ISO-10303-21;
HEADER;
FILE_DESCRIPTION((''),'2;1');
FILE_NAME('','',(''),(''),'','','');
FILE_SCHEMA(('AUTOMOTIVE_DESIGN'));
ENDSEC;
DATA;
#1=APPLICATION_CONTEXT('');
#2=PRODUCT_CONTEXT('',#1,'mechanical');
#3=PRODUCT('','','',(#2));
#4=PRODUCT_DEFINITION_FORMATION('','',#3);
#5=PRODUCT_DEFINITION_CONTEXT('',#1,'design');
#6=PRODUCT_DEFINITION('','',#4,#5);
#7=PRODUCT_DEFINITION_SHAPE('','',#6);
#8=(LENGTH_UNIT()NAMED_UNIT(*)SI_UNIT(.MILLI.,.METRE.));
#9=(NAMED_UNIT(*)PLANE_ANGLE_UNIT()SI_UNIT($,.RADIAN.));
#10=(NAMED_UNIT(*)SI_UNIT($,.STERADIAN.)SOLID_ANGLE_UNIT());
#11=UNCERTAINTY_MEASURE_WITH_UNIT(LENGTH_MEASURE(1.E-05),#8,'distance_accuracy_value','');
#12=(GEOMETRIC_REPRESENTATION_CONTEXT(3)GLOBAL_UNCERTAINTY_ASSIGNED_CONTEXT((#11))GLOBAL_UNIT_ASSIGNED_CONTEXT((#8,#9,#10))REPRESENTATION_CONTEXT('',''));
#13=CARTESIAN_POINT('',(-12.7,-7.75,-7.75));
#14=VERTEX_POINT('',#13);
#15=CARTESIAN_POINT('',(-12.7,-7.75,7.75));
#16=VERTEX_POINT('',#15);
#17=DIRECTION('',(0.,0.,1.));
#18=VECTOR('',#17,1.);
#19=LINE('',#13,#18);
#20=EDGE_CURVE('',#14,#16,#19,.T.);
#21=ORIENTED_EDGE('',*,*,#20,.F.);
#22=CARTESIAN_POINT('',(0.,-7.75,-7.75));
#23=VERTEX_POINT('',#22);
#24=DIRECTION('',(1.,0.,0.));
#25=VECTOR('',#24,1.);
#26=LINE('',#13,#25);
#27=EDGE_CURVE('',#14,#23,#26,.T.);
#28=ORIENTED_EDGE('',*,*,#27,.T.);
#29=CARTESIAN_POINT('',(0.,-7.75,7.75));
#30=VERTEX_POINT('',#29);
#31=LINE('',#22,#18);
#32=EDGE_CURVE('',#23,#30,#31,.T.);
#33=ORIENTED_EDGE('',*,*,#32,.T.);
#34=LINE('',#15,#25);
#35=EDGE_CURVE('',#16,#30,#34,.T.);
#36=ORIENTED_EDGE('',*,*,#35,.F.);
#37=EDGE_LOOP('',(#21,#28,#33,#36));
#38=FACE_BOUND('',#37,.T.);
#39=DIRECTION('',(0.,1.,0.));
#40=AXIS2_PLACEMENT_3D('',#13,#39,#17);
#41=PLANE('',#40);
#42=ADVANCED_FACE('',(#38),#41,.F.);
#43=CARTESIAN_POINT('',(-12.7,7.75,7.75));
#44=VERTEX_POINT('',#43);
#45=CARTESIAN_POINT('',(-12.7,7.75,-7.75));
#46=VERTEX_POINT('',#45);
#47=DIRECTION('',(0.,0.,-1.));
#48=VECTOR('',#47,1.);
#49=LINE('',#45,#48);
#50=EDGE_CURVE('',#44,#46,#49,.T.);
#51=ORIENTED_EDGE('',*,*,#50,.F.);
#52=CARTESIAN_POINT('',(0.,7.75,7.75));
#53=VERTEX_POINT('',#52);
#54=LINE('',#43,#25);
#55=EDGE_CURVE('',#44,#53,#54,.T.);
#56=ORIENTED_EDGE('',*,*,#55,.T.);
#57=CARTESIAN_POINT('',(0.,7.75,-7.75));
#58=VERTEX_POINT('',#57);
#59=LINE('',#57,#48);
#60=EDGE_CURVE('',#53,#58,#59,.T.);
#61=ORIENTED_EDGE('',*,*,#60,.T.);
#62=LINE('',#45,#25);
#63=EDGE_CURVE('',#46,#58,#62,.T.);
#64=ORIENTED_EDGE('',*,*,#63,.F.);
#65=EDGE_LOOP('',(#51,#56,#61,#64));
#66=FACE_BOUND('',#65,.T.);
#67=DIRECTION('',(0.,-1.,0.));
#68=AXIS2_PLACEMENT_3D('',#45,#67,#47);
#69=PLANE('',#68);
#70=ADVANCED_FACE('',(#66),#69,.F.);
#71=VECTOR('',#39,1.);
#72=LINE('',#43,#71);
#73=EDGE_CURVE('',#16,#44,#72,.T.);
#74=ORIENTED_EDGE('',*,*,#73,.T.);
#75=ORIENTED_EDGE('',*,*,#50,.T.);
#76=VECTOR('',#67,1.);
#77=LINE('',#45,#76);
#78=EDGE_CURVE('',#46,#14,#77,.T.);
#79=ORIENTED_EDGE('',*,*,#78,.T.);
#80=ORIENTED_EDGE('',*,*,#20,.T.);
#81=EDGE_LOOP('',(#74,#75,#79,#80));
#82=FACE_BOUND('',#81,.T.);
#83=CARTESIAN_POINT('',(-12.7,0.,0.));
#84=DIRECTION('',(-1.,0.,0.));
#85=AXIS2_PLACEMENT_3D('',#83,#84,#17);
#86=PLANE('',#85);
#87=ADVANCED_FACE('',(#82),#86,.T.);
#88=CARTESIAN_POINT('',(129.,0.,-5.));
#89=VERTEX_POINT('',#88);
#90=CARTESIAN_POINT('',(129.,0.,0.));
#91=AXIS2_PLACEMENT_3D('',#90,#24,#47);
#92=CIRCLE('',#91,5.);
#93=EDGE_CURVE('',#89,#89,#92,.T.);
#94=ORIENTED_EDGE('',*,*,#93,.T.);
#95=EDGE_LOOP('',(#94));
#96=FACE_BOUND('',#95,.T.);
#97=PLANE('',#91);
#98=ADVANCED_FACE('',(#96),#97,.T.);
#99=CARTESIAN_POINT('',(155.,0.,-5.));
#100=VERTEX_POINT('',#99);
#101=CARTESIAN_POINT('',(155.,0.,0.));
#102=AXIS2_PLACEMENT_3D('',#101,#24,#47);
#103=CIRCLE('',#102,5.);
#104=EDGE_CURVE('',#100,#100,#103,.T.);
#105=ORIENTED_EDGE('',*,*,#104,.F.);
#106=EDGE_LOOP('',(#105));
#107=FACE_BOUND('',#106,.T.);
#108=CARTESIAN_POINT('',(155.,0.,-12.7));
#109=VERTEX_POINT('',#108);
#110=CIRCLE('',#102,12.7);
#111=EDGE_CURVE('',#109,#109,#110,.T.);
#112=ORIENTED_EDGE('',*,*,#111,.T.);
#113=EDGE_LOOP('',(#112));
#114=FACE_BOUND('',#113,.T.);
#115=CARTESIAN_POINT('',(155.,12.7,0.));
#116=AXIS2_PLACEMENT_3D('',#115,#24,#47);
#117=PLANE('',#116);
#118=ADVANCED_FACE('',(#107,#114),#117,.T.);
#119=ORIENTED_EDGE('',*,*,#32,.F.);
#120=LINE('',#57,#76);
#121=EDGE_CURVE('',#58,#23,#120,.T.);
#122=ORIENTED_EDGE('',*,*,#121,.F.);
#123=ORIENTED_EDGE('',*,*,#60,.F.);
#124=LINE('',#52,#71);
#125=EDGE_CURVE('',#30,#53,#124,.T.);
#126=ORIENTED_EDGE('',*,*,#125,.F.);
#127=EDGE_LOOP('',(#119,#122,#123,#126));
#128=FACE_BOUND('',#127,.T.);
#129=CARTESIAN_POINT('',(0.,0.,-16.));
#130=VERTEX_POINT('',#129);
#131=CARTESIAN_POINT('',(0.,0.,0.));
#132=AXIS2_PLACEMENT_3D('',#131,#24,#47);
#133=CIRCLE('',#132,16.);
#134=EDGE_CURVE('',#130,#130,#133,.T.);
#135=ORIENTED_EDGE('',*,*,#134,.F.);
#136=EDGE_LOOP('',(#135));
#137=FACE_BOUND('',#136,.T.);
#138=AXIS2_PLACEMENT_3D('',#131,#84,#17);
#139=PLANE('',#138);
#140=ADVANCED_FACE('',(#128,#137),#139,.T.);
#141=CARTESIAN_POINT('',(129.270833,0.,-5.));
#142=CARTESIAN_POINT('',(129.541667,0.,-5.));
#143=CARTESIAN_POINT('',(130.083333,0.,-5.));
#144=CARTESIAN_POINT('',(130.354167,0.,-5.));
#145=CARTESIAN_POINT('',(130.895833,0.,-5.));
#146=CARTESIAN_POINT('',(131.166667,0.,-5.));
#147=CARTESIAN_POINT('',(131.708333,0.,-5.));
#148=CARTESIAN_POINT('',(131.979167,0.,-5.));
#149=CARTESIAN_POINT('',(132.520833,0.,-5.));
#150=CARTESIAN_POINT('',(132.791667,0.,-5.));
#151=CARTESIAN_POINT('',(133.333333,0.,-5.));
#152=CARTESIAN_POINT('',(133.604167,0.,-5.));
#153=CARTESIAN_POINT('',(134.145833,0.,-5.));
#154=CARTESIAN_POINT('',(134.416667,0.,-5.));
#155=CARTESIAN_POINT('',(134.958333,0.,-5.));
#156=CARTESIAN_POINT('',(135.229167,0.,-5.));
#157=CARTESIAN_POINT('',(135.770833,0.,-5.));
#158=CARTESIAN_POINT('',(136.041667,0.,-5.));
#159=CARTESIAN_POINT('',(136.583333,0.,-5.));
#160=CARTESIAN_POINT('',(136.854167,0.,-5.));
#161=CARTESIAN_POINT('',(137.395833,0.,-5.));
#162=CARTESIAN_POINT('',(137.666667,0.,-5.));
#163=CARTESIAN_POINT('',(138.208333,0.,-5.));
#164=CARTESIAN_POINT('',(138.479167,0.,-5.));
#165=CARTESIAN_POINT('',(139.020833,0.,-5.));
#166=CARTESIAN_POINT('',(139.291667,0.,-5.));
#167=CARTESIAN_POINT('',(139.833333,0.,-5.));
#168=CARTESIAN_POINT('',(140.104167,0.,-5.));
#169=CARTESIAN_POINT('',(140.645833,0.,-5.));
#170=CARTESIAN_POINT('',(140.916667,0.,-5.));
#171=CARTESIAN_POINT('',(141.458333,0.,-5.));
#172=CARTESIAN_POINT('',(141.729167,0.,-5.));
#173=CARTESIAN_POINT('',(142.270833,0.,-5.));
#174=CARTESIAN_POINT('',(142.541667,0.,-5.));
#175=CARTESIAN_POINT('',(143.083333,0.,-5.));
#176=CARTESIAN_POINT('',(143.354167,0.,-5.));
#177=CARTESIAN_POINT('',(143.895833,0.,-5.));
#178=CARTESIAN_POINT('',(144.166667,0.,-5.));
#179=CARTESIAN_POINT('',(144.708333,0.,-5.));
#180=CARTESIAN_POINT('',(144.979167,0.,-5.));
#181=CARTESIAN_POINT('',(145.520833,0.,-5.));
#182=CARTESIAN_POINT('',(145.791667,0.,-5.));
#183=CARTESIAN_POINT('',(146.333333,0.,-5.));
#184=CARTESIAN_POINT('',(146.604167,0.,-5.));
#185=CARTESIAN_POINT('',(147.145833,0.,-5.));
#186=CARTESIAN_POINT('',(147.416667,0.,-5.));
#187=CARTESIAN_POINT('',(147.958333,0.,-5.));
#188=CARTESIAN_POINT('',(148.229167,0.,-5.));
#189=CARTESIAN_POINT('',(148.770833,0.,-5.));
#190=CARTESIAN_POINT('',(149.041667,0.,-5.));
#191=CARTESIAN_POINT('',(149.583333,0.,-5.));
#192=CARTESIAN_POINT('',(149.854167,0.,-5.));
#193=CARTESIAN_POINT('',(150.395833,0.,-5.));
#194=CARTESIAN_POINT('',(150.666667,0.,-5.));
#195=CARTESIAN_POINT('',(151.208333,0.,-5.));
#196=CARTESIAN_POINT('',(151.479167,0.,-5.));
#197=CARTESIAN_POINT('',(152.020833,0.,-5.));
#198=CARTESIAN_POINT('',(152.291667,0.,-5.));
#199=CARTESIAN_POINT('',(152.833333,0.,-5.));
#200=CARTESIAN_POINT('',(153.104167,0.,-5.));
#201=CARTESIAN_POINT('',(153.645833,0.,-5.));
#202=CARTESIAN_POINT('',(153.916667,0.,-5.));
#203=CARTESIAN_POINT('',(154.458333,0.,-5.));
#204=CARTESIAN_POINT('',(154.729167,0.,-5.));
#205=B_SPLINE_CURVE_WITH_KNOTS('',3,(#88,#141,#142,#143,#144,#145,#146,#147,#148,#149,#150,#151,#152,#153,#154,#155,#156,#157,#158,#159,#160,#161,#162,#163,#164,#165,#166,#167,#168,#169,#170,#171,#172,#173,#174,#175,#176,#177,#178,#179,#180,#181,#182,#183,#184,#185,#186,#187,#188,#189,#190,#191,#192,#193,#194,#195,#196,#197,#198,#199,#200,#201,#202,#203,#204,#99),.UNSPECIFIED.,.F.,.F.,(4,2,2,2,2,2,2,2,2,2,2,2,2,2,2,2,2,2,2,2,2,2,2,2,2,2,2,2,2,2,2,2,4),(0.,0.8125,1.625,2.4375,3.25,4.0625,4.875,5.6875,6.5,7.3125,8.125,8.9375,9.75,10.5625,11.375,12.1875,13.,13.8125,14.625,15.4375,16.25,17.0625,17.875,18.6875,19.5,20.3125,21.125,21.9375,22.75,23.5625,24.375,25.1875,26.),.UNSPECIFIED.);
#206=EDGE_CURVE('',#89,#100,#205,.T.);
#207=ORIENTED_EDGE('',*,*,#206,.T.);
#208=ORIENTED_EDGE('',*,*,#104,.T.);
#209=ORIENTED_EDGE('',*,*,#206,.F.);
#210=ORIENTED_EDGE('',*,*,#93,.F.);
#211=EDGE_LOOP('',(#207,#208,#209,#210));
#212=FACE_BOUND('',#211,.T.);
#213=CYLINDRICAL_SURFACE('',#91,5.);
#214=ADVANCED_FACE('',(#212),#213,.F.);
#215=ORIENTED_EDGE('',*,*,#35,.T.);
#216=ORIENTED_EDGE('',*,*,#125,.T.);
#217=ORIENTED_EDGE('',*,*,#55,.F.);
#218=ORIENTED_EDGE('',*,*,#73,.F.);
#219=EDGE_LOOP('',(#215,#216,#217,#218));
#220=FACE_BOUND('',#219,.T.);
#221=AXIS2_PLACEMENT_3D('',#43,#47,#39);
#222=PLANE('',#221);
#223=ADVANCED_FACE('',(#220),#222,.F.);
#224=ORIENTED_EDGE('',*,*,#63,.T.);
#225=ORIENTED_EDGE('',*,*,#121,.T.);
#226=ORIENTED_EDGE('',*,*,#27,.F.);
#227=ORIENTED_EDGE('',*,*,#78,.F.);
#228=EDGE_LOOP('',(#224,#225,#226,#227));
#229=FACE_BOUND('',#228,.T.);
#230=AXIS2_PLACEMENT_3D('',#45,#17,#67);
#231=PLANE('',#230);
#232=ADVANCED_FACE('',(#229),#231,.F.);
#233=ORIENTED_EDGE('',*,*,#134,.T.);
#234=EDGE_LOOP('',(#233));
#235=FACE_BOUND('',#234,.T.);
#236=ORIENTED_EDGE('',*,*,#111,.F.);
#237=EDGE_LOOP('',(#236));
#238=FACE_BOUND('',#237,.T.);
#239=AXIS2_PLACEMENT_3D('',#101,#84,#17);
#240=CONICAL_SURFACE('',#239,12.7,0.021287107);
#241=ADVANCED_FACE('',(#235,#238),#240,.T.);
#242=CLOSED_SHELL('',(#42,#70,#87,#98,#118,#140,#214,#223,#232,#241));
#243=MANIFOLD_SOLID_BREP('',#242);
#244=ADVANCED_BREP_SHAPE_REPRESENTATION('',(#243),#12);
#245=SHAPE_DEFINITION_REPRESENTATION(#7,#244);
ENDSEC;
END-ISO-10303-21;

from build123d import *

# Parameters (mm, degrees)
SKETCH2_W           = 15.5
SKETCH2_H           = 15.5
BOSS_EXTRUDE1_DEPTH = 12.7
SKETCH3_R           = 5
CUT_EXTRUDE1_DEPTH  = 26


with BuildPart() as part:
    # Sketch1 → Revolve1 (revolve)
    with BuildSketch(Plane.XY, mode=Mode.PRIVATE) as revolve1_sk:
        Polygon((0, 0), (0, 16), (155, 12.7), (155, 0), align=None)
    revolve(revolve1_sk.sketch.rotate(Axis((155, 0, 0), (-1, 0, 0)), 90), axis=Axis((155, 0, 0), (-1, 0, 0)))

    # Sketch2 → Boss-Extrude1 (add)
    with BuildSketch(Plane.ZY):
        Rectangle(SKETCH2_W, SKETCH2_H)
    extrude(amount=BOSS_EXTRUDE1_DEPTH)

    # Sketch3 → Cut-Extrude1 (cut)
    with BuildSketch(Plane(origin=(155, 0, 0), x_dir=(0, 0, -1), z_dir=(1, 0, 0))):
        Circle(SKETCH3_R)
    extrude(amount=-CUT_EXTRUDE1_DEPTH, mode=Mode.SUBTRACT)


solid = part.part
